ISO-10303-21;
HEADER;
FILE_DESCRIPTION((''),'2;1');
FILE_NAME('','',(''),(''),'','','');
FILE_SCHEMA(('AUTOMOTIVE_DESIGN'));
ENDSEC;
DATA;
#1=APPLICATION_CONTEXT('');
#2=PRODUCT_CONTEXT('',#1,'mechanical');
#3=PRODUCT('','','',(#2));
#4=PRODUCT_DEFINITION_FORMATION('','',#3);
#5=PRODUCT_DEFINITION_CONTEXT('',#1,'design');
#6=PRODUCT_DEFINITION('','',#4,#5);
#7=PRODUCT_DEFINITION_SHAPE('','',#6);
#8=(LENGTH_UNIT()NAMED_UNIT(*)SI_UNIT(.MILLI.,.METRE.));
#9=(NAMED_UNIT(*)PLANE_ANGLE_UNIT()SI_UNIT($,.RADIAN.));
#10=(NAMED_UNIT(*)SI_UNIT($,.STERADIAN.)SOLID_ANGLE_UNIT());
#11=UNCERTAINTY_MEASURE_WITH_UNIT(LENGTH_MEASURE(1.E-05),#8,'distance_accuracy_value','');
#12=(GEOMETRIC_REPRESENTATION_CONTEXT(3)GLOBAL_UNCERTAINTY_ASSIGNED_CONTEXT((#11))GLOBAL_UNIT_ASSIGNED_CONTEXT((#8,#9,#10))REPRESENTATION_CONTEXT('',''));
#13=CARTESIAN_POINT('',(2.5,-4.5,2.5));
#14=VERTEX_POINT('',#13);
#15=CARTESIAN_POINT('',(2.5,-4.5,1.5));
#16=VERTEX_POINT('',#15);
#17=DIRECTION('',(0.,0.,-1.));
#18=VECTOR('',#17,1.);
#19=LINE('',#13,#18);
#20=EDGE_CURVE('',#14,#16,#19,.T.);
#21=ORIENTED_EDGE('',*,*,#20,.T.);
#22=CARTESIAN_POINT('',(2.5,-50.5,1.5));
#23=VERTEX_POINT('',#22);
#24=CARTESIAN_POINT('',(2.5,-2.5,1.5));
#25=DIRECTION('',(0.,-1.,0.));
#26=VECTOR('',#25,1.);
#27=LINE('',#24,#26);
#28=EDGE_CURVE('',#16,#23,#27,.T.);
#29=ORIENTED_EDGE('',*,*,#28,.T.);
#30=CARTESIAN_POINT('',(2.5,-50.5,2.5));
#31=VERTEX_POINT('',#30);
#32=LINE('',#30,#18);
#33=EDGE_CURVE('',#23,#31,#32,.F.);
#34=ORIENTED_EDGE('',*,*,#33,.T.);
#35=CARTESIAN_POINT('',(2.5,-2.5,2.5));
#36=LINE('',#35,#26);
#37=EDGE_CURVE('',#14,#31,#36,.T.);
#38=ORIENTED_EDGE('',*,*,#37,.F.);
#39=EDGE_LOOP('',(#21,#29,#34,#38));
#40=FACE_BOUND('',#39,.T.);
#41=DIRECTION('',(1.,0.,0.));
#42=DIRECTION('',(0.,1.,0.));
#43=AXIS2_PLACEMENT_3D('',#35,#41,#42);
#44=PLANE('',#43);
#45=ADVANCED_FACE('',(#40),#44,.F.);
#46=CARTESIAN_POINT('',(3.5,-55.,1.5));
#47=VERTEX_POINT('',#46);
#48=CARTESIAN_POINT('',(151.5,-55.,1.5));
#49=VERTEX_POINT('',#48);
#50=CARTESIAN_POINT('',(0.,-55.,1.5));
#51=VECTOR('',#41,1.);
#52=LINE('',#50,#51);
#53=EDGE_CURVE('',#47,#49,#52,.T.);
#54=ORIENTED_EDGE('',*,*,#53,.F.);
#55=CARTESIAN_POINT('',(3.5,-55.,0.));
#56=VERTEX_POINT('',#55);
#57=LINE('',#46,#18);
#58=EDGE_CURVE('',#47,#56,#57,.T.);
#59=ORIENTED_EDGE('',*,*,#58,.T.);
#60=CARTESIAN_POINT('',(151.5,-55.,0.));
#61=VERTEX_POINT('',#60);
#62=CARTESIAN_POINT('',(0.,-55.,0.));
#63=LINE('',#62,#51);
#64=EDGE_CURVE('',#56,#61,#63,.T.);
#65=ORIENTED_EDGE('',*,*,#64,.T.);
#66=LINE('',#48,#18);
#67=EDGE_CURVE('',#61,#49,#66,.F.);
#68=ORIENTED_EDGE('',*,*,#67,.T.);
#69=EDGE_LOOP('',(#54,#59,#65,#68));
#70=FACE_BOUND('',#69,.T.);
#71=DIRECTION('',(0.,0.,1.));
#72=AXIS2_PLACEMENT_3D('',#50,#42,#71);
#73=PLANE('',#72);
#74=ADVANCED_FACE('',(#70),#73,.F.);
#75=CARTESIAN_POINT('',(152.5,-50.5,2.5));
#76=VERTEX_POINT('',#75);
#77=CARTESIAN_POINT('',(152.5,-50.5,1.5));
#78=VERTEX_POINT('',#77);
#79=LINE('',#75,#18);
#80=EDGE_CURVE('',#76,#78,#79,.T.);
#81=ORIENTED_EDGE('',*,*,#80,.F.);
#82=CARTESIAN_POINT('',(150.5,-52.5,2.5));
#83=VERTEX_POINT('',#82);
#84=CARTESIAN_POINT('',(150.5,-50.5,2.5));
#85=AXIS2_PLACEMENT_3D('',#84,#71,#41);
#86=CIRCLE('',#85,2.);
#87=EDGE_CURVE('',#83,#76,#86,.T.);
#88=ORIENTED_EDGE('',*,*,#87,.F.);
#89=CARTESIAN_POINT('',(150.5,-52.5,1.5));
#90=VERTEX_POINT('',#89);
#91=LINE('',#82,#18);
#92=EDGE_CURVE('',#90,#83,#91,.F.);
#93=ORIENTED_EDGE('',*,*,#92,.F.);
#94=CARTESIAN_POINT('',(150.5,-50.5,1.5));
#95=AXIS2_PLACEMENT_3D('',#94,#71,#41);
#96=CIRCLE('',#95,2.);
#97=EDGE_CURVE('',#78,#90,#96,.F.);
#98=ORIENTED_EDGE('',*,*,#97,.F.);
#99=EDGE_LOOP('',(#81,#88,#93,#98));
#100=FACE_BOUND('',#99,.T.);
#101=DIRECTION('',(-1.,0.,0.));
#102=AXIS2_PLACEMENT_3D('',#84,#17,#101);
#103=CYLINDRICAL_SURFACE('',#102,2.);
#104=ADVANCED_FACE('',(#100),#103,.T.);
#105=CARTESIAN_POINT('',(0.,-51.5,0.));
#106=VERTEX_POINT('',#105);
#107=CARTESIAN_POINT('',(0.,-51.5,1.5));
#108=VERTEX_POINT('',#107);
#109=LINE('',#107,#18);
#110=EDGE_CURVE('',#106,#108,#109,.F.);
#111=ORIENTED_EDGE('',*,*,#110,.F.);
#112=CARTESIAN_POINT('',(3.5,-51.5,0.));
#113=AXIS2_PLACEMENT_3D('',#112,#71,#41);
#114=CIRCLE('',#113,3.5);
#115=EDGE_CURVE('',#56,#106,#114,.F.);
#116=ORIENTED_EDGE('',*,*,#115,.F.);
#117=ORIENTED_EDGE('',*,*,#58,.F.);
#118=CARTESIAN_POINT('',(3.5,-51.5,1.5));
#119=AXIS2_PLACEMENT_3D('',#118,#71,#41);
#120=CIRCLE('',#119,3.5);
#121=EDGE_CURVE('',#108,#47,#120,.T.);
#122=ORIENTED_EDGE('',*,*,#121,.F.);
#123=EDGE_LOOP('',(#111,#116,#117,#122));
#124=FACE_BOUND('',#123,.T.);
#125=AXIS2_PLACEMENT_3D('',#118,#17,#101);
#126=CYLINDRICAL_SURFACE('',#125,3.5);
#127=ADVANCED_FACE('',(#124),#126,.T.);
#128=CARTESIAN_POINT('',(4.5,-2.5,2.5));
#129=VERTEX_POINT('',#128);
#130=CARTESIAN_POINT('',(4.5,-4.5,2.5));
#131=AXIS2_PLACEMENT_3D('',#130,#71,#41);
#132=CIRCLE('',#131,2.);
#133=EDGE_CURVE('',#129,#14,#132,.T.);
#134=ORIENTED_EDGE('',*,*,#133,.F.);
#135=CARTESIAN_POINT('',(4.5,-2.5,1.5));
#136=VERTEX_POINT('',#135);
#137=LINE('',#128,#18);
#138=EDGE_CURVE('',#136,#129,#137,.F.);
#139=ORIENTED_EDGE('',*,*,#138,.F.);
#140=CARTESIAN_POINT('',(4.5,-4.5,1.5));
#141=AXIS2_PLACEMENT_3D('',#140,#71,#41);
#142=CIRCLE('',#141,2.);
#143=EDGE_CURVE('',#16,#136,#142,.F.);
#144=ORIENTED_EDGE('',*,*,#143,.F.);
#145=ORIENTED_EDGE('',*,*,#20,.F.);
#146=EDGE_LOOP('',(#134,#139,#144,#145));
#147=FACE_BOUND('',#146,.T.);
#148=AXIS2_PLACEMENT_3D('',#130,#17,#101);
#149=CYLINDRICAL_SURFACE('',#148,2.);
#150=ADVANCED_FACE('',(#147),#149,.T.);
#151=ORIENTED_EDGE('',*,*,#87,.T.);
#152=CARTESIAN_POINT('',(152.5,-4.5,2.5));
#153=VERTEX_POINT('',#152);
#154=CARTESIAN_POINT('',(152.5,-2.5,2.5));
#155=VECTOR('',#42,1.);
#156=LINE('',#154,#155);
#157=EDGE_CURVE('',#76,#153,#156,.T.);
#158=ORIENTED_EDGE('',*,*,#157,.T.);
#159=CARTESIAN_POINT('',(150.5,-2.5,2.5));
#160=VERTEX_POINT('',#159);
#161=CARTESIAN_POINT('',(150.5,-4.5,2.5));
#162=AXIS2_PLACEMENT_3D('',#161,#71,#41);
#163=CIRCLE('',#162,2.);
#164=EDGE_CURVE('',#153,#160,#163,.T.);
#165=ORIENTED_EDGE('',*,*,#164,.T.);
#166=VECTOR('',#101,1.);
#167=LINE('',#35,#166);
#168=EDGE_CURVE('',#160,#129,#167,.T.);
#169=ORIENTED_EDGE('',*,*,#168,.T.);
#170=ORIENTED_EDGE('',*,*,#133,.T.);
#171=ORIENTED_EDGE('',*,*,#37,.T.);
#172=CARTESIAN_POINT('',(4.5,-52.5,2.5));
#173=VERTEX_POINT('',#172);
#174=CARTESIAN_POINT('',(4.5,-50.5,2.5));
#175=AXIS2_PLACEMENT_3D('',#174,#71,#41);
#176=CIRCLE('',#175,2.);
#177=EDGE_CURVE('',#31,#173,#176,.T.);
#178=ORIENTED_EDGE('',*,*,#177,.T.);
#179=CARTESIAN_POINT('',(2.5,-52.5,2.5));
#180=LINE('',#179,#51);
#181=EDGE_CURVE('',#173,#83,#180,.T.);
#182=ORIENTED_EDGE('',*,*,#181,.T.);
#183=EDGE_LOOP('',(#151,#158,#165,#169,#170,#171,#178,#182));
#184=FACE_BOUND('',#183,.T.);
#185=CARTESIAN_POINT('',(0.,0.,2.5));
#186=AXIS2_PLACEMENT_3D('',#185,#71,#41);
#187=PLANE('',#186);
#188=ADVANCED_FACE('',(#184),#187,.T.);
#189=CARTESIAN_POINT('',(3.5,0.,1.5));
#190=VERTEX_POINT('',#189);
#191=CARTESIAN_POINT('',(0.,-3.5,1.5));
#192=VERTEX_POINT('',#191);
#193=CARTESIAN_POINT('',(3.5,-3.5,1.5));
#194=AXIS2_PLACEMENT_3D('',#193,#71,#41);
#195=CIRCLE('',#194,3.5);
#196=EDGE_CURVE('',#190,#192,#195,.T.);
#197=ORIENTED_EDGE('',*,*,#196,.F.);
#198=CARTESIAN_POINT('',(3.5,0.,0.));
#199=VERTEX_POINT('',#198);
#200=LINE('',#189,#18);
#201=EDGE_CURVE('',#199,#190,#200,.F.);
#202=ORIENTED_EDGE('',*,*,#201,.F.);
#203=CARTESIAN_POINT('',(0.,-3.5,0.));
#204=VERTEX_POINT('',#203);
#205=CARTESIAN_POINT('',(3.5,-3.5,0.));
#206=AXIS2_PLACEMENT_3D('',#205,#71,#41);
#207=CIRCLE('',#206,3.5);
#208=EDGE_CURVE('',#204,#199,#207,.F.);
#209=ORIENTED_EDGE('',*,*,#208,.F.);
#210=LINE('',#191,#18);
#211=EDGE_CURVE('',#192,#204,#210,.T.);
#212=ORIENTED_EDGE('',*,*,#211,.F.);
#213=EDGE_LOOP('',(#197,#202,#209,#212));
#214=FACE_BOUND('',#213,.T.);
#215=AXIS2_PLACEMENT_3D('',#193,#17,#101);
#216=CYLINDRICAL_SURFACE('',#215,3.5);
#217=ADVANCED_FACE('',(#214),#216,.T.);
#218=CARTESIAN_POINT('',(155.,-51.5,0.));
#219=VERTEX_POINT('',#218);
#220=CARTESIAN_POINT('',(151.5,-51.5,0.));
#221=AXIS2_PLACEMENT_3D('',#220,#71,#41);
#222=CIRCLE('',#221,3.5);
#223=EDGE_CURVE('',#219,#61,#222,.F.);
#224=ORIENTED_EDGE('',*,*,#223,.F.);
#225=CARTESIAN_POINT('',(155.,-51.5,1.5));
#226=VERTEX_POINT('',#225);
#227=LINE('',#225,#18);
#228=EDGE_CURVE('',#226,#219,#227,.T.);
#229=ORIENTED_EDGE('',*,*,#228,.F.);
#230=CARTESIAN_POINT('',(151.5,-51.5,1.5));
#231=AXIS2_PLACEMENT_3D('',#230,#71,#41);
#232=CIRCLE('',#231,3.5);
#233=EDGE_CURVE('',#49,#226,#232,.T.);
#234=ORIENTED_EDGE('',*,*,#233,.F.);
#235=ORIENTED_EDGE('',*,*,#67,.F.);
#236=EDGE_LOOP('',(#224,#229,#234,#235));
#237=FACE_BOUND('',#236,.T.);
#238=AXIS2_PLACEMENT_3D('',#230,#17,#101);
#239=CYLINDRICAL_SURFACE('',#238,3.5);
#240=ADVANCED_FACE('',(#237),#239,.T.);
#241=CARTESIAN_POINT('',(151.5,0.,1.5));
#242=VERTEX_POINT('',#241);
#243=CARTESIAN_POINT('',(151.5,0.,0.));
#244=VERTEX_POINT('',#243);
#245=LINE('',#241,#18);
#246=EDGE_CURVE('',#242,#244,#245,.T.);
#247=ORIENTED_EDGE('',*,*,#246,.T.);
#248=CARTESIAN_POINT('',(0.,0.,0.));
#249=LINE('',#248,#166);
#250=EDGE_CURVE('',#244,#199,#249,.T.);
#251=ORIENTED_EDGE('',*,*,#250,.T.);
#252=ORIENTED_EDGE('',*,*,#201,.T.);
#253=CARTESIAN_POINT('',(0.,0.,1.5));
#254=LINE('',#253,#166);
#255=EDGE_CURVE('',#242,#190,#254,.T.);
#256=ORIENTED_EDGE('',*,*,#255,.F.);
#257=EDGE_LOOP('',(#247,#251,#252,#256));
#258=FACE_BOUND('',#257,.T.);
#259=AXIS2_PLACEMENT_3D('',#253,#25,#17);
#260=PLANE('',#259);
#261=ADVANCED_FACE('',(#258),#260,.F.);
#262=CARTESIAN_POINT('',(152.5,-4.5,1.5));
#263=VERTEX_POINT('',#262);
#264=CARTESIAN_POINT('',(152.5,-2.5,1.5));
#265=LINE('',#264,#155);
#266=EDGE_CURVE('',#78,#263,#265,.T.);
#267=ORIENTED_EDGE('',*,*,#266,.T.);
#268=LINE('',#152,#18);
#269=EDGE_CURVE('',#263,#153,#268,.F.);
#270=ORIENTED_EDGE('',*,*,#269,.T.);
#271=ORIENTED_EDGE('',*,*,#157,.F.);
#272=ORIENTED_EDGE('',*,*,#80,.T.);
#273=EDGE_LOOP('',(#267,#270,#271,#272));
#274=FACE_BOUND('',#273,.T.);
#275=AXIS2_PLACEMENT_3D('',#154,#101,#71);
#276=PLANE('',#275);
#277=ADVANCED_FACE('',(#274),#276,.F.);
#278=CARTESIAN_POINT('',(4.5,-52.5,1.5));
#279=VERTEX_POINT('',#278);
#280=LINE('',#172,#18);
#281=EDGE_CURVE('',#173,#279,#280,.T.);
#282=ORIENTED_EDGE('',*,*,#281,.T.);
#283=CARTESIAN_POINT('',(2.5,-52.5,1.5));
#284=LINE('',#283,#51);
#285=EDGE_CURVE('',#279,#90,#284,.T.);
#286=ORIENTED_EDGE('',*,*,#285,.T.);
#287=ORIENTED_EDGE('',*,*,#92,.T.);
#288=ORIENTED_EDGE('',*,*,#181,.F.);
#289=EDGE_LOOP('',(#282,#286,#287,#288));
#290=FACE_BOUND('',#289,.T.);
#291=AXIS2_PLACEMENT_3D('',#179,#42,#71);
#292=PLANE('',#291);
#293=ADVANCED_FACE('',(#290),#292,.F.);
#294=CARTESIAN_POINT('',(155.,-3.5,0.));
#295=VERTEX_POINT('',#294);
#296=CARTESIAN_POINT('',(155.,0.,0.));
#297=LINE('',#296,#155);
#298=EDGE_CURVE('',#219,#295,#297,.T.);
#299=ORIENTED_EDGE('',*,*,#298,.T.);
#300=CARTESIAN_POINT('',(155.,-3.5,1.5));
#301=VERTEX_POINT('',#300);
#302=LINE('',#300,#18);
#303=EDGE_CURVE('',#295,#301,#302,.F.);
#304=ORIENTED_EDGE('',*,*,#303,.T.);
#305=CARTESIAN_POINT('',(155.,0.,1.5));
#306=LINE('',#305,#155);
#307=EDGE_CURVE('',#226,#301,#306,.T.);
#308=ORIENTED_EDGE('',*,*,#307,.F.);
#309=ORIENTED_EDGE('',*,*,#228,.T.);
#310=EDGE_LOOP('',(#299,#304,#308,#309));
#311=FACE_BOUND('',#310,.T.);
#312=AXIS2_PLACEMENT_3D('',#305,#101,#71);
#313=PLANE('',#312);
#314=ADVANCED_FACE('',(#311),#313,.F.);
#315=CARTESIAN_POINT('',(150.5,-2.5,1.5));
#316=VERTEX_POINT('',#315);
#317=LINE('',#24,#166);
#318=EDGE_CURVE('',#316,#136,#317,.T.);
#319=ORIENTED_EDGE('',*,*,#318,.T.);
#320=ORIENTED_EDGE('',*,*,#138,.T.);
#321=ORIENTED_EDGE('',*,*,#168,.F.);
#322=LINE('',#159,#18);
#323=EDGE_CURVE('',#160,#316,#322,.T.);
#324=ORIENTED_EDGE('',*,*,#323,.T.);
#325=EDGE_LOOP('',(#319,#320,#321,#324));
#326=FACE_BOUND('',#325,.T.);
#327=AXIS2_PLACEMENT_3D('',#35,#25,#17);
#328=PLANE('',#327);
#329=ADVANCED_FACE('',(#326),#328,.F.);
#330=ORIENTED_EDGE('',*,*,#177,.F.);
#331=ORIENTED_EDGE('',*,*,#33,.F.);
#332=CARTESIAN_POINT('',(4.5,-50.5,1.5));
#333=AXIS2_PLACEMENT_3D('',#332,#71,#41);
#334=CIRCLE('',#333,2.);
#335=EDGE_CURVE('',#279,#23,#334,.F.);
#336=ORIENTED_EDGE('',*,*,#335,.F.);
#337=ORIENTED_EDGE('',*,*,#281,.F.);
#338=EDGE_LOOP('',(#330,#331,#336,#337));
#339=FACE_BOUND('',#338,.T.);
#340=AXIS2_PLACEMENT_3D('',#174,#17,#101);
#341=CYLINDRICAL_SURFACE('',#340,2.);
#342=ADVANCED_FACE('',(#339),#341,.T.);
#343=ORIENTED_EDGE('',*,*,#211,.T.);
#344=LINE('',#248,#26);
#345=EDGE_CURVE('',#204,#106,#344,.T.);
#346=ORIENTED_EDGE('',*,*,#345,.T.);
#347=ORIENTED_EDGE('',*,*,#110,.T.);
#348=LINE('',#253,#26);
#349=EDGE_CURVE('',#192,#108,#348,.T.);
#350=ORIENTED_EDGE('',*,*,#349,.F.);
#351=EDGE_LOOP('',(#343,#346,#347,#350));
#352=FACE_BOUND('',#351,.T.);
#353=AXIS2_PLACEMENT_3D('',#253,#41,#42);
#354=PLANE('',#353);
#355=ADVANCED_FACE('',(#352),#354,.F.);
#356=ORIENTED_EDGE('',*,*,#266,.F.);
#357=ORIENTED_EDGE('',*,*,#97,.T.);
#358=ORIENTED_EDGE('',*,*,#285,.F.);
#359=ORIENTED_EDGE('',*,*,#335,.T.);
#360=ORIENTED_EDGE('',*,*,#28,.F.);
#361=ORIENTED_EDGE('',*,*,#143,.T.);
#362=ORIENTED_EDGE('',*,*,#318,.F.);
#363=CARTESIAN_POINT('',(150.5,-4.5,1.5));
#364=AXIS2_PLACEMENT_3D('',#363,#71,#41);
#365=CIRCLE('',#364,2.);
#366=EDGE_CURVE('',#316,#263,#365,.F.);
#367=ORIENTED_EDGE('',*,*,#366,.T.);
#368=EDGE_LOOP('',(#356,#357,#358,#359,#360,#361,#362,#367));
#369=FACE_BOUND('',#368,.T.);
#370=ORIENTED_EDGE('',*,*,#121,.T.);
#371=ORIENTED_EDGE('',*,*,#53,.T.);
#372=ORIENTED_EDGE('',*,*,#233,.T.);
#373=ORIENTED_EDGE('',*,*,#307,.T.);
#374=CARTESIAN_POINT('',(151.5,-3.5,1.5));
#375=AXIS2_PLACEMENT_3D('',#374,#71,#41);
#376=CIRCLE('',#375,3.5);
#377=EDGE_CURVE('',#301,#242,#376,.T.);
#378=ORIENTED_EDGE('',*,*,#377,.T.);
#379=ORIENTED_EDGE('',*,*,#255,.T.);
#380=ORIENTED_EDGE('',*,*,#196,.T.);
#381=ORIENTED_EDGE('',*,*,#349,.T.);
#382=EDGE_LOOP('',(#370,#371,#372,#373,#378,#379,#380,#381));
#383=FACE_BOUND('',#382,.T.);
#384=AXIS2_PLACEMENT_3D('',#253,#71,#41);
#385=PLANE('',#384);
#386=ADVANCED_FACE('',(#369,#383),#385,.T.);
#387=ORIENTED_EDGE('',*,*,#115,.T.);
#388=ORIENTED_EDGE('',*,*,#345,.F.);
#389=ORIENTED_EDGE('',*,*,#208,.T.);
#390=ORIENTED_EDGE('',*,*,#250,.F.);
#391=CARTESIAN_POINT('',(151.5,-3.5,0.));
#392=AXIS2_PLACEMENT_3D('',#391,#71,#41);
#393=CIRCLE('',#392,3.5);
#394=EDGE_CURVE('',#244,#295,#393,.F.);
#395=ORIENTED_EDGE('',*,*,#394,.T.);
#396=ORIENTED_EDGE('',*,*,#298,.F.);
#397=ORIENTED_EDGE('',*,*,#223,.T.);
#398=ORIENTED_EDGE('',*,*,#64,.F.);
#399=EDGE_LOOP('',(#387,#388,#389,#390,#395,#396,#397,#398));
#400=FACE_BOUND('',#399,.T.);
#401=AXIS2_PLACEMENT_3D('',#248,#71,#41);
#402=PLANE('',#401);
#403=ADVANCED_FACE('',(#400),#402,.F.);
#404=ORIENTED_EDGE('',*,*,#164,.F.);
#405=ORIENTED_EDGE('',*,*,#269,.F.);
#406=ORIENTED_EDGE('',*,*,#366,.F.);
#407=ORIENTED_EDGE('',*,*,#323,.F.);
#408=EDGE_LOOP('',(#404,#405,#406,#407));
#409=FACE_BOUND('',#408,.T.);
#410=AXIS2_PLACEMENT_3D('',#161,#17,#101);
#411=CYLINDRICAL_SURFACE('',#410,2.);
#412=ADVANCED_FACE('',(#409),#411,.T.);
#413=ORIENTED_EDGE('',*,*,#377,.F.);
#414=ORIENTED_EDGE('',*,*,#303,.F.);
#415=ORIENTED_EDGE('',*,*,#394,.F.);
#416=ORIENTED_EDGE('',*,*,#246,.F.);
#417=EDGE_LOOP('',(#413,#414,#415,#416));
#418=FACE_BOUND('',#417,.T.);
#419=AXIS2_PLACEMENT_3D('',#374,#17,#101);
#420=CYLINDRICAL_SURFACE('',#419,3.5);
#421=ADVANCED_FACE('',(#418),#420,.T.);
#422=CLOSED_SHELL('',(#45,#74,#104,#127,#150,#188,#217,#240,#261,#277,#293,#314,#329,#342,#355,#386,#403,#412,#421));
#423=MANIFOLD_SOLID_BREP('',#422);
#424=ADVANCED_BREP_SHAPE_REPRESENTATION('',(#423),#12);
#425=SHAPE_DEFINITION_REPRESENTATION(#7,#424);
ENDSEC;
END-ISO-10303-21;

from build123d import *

# Parameters (mm, degrees)
SKETCH_1_W      = 155
SKETCH_1_H      = 55
EXTRUDE_1_DEPTH = 1.5
FILLET_1_R      = 3.5
SKETCH_2_W      = 150
SKETCH_2_H      = 50
EXTRUDE_2_DEPTH = 1
FILLET_3_R      = 2


with BuildPart() as part:
    # 草图1 → 凸台-拉伸1 (new body)
    with BuildSketch(Plane.XY):
        with Locations((77.5, -27.5)):
            Rectangle(SKETCH_1_W, SKETCH_1_H)
    extrude(amount=EXTRUDE_1_DEPTH)

    # 圆角1
    fillet_1_edges = [part.edges().sort_by_distance(p)[0] for p in [
        (0, 0, 0.75),
        (155, 0, 0.75),
        (155, -55, 0.75),
        (0, -55, 0.75),
    ]]
    fillet(fillet_1_edges, radius=FILLET_1_R)

    # 草图2 → 凸台-拉伸2 (add)
    with BuildSketch(Plane.XY.offset(1.5)):
        with Locations((77.5, -27.5)):
            Rectangle(SKETCH_2_W, SKETCH_2_H)
    extrude(amount=EXTRUDE_2_DEPTH)

    # 圆角3
    fillet_3_edges = [part.edges().sort_by_distance(p)[0] for p in [
        (2.5, -2.5, 2),
        (2.5, -52.5, 2),
        (152.5, -52.5, 2),
        (152.5, -2.5, 2),
    ]]
    fillet(fillet_3_edges, radius=FILLET_3_R)


solid = part.part
